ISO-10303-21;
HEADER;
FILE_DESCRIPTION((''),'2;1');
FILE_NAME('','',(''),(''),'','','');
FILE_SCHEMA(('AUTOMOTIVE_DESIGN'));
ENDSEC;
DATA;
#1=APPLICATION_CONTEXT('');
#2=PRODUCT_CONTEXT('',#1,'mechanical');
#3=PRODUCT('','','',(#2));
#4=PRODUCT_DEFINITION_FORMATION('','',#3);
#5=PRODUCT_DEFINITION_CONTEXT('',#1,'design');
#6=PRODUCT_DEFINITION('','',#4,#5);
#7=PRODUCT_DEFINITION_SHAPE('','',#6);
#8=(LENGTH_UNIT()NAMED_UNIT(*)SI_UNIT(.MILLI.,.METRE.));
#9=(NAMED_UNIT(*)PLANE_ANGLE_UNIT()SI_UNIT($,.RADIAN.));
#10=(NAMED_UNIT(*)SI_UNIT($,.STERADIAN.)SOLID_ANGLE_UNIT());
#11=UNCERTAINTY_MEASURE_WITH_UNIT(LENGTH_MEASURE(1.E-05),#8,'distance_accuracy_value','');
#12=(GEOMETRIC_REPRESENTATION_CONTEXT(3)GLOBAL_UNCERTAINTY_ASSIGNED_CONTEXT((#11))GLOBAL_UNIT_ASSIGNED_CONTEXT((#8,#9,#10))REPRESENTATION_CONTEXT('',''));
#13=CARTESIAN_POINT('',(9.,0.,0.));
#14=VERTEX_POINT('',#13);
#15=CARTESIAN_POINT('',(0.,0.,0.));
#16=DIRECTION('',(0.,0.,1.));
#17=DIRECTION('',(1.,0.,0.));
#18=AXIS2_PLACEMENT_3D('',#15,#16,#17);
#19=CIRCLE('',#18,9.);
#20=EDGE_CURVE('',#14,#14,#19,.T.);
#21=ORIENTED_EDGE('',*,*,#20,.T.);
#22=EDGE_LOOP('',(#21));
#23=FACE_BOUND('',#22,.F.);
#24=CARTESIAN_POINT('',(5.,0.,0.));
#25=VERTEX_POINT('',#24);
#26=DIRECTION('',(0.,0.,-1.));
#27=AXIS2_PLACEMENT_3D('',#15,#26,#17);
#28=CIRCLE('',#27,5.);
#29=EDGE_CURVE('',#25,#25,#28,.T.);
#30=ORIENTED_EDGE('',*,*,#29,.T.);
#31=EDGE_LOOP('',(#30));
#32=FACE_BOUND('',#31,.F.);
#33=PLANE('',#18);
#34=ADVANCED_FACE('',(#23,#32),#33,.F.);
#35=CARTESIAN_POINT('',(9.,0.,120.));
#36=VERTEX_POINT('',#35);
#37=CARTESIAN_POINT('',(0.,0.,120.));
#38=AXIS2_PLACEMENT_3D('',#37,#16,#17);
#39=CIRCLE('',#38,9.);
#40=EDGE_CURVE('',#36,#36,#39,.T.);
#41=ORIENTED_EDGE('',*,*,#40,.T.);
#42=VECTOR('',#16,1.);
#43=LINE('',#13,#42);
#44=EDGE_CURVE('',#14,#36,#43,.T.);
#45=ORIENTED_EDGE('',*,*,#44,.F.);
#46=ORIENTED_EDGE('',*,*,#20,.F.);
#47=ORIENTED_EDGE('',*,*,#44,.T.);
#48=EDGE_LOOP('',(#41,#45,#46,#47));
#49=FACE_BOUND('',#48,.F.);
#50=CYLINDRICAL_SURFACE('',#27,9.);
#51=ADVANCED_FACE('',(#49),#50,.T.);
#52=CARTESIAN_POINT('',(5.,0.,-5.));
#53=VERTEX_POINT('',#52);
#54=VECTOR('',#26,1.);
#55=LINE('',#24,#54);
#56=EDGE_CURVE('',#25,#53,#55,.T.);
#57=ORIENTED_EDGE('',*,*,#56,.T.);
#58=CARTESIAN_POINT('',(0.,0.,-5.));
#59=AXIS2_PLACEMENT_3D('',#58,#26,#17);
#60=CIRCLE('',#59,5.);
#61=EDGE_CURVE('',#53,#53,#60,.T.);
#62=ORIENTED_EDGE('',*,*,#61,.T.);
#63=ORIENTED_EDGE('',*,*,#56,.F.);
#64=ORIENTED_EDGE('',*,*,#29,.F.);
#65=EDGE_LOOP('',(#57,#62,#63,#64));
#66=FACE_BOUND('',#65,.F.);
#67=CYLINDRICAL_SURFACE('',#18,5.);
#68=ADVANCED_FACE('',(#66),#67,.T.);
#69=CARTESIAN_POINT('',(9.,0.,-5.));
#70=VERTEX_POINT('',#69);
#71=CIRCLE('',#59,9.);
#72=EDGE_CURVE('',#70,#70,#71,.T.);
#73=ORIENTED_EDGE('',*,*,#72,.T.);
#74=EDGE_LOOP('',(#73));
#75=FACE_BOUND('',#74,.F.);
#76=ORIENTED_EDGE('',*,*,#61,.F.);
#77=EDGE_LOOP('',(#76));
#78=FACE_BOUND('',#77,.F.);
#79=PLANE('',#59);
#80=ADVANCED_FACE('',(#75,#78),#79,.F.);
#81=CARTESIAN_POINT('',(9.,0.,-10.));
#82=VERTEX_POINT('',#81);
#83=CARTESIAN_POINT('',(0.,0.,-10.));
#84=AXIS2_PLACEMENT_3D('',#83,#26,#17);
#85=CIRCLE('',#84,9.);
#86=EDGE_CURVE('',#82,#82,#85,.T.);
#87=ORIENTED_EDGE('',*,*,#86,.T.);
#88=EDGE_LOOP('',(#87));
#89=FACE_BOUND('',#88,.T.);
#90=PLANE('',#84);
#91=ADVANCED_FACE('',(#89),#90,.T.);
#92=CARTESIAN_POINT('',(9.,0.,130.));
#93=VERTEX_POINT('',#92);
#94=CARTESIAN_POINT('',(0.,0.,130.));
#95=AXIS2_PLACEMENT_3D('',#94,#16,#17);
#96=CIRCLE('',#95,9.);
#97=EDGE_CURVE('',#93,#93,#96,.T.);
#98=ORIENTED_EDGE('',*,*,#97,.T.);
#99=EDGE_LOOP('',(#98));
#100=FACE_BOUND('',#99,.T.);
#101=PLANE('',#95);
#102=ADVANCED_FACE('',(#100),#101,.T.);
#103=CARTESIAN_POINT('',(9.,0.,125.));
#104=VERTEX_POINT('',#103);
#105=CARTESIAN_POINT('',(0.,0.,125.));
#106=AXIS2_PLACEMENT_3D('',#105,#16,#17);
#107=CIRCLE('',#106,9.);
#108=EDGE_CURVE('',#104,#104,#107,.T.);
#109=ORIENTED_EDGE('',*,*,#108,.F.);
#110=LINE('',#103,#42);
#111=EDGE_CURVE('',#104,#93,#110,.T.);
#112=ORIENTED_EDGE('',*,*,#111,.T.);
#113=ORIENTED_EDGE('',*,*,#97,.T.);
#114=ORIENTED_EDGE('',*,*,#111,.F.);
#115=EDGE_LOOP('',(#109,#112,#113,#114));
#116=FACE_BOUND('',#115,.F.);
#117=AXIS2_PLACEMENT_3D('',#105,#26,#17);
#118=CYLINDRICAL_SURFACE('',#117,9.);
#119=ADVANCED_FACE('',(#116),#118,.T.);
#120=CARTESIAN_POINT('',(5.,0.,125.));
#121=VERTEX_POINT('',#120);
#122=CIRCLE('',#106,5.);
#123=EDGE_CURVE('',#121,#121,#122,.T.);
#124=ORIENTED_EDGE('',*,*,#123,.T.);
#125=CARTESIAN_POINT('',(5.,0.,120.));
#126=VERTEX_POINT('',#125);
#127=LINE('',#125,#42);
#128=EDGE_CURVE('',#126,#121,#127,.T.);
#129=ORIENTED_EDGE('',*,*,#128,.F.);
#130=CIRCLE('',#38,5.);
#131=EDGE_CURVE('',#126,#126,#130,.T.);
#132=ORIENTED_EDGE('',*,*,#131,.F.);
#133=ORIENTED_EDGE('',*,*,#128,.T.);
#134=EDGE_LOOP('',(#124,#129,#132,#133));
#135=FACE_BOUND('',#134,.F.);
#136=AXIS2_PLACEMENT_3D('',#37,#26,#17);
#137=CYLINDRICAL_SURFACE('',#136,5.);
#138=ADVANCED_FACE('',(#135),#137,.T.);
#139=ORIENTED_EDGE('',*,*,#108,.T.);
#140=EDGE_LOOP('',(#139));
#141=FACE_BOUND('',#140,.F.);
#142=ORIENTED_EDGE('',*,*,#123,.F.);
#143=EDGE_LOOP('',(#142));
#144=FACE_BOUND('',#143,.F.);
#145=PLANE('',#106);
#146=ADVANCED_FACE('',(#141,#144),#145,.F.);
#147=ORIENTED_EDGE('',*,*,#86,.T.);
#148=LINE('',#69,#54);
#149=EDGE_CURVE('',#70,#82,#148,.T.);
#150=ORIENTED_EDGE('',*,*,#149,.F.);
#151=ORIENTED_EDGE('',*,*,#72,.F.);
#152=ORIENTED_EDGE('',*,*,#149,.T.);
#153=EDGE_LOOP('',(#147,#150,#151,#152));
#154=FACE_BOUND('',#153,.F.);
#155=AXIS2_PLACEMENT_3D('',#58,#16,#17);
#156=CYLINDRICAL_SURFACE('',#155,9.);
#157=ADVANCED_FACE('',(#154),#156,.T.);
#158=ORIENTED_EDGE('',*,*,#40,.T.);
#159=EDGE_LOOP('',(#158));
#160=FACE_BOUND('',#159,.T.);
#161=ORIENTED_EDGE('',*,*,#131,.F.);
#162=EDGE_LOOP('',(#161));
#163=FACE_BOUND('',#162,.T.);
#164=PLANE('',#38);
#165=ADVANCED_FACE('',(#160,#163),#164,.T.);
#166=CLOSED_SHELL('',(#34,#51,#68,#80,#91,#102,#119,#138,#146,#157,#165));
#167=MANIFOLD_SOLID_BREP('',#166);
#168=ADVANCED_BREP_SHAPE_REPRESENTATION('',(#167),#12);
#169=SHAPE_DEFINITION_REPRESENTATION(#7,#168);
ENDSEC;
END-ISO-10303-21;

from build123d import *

# Parameters (mm, degrees)
F0_R     = 9
F1_DEPTH = 120
F2_R     = 5
F3_DEPTH = 5
F4_R     = 9
F4_R_2   = 5
F5_DEPTH = 5
F6_R     = 5
F7_DEPTH = 5
F8_R     = 9
F8_R_2   = 5
F9_DEPTH = 5


with BuildPart() as f1:
    # F0 (on Top) → F1 (new body)
    with BuildSketch(Plane.XY):
        Circle(F0_R)
    extrude(amount=F1_DEPTH)

    # F2 (on face) → F3 (join)
    with BuildSketch(Plane.XY.offset(120)):
        Circle(F2_R)
    extrude(amount=F3_DEPTH)

    # F4 (on face) → F5 (join)
    with BuildSketch(Plane.XY.offset(125)):
        Circle(F4_R)
        Circle(F4_R_2, mode=Mode.SUBTRACT)
        Circle(F4_R_2)
    extrude(amount=F5_DEPTH)

    # F6 (on face) → F7 (join)
    with BuildSketch(Plane(origin=(0, 0, 0), x_dir=(1, 0, 0), z_dir=(0, 0, -1))):
        Circle(F6_R)
    extrude(amount=F7_DEPTH)

    # F8 (on face) → F9 (join)
    with BuildSketch(Plane(origin=(0, 0, -5), x_dir=(1, 0, 0), z_dir=(0, 0, -1))):
        Circle(F8_R)
        Circle(F8_R_2, mode=Mode.SUBTRACT)
        Circle(F8_R_2)
    extrude(amount=F9_DEPTH)


solid = f1.part
